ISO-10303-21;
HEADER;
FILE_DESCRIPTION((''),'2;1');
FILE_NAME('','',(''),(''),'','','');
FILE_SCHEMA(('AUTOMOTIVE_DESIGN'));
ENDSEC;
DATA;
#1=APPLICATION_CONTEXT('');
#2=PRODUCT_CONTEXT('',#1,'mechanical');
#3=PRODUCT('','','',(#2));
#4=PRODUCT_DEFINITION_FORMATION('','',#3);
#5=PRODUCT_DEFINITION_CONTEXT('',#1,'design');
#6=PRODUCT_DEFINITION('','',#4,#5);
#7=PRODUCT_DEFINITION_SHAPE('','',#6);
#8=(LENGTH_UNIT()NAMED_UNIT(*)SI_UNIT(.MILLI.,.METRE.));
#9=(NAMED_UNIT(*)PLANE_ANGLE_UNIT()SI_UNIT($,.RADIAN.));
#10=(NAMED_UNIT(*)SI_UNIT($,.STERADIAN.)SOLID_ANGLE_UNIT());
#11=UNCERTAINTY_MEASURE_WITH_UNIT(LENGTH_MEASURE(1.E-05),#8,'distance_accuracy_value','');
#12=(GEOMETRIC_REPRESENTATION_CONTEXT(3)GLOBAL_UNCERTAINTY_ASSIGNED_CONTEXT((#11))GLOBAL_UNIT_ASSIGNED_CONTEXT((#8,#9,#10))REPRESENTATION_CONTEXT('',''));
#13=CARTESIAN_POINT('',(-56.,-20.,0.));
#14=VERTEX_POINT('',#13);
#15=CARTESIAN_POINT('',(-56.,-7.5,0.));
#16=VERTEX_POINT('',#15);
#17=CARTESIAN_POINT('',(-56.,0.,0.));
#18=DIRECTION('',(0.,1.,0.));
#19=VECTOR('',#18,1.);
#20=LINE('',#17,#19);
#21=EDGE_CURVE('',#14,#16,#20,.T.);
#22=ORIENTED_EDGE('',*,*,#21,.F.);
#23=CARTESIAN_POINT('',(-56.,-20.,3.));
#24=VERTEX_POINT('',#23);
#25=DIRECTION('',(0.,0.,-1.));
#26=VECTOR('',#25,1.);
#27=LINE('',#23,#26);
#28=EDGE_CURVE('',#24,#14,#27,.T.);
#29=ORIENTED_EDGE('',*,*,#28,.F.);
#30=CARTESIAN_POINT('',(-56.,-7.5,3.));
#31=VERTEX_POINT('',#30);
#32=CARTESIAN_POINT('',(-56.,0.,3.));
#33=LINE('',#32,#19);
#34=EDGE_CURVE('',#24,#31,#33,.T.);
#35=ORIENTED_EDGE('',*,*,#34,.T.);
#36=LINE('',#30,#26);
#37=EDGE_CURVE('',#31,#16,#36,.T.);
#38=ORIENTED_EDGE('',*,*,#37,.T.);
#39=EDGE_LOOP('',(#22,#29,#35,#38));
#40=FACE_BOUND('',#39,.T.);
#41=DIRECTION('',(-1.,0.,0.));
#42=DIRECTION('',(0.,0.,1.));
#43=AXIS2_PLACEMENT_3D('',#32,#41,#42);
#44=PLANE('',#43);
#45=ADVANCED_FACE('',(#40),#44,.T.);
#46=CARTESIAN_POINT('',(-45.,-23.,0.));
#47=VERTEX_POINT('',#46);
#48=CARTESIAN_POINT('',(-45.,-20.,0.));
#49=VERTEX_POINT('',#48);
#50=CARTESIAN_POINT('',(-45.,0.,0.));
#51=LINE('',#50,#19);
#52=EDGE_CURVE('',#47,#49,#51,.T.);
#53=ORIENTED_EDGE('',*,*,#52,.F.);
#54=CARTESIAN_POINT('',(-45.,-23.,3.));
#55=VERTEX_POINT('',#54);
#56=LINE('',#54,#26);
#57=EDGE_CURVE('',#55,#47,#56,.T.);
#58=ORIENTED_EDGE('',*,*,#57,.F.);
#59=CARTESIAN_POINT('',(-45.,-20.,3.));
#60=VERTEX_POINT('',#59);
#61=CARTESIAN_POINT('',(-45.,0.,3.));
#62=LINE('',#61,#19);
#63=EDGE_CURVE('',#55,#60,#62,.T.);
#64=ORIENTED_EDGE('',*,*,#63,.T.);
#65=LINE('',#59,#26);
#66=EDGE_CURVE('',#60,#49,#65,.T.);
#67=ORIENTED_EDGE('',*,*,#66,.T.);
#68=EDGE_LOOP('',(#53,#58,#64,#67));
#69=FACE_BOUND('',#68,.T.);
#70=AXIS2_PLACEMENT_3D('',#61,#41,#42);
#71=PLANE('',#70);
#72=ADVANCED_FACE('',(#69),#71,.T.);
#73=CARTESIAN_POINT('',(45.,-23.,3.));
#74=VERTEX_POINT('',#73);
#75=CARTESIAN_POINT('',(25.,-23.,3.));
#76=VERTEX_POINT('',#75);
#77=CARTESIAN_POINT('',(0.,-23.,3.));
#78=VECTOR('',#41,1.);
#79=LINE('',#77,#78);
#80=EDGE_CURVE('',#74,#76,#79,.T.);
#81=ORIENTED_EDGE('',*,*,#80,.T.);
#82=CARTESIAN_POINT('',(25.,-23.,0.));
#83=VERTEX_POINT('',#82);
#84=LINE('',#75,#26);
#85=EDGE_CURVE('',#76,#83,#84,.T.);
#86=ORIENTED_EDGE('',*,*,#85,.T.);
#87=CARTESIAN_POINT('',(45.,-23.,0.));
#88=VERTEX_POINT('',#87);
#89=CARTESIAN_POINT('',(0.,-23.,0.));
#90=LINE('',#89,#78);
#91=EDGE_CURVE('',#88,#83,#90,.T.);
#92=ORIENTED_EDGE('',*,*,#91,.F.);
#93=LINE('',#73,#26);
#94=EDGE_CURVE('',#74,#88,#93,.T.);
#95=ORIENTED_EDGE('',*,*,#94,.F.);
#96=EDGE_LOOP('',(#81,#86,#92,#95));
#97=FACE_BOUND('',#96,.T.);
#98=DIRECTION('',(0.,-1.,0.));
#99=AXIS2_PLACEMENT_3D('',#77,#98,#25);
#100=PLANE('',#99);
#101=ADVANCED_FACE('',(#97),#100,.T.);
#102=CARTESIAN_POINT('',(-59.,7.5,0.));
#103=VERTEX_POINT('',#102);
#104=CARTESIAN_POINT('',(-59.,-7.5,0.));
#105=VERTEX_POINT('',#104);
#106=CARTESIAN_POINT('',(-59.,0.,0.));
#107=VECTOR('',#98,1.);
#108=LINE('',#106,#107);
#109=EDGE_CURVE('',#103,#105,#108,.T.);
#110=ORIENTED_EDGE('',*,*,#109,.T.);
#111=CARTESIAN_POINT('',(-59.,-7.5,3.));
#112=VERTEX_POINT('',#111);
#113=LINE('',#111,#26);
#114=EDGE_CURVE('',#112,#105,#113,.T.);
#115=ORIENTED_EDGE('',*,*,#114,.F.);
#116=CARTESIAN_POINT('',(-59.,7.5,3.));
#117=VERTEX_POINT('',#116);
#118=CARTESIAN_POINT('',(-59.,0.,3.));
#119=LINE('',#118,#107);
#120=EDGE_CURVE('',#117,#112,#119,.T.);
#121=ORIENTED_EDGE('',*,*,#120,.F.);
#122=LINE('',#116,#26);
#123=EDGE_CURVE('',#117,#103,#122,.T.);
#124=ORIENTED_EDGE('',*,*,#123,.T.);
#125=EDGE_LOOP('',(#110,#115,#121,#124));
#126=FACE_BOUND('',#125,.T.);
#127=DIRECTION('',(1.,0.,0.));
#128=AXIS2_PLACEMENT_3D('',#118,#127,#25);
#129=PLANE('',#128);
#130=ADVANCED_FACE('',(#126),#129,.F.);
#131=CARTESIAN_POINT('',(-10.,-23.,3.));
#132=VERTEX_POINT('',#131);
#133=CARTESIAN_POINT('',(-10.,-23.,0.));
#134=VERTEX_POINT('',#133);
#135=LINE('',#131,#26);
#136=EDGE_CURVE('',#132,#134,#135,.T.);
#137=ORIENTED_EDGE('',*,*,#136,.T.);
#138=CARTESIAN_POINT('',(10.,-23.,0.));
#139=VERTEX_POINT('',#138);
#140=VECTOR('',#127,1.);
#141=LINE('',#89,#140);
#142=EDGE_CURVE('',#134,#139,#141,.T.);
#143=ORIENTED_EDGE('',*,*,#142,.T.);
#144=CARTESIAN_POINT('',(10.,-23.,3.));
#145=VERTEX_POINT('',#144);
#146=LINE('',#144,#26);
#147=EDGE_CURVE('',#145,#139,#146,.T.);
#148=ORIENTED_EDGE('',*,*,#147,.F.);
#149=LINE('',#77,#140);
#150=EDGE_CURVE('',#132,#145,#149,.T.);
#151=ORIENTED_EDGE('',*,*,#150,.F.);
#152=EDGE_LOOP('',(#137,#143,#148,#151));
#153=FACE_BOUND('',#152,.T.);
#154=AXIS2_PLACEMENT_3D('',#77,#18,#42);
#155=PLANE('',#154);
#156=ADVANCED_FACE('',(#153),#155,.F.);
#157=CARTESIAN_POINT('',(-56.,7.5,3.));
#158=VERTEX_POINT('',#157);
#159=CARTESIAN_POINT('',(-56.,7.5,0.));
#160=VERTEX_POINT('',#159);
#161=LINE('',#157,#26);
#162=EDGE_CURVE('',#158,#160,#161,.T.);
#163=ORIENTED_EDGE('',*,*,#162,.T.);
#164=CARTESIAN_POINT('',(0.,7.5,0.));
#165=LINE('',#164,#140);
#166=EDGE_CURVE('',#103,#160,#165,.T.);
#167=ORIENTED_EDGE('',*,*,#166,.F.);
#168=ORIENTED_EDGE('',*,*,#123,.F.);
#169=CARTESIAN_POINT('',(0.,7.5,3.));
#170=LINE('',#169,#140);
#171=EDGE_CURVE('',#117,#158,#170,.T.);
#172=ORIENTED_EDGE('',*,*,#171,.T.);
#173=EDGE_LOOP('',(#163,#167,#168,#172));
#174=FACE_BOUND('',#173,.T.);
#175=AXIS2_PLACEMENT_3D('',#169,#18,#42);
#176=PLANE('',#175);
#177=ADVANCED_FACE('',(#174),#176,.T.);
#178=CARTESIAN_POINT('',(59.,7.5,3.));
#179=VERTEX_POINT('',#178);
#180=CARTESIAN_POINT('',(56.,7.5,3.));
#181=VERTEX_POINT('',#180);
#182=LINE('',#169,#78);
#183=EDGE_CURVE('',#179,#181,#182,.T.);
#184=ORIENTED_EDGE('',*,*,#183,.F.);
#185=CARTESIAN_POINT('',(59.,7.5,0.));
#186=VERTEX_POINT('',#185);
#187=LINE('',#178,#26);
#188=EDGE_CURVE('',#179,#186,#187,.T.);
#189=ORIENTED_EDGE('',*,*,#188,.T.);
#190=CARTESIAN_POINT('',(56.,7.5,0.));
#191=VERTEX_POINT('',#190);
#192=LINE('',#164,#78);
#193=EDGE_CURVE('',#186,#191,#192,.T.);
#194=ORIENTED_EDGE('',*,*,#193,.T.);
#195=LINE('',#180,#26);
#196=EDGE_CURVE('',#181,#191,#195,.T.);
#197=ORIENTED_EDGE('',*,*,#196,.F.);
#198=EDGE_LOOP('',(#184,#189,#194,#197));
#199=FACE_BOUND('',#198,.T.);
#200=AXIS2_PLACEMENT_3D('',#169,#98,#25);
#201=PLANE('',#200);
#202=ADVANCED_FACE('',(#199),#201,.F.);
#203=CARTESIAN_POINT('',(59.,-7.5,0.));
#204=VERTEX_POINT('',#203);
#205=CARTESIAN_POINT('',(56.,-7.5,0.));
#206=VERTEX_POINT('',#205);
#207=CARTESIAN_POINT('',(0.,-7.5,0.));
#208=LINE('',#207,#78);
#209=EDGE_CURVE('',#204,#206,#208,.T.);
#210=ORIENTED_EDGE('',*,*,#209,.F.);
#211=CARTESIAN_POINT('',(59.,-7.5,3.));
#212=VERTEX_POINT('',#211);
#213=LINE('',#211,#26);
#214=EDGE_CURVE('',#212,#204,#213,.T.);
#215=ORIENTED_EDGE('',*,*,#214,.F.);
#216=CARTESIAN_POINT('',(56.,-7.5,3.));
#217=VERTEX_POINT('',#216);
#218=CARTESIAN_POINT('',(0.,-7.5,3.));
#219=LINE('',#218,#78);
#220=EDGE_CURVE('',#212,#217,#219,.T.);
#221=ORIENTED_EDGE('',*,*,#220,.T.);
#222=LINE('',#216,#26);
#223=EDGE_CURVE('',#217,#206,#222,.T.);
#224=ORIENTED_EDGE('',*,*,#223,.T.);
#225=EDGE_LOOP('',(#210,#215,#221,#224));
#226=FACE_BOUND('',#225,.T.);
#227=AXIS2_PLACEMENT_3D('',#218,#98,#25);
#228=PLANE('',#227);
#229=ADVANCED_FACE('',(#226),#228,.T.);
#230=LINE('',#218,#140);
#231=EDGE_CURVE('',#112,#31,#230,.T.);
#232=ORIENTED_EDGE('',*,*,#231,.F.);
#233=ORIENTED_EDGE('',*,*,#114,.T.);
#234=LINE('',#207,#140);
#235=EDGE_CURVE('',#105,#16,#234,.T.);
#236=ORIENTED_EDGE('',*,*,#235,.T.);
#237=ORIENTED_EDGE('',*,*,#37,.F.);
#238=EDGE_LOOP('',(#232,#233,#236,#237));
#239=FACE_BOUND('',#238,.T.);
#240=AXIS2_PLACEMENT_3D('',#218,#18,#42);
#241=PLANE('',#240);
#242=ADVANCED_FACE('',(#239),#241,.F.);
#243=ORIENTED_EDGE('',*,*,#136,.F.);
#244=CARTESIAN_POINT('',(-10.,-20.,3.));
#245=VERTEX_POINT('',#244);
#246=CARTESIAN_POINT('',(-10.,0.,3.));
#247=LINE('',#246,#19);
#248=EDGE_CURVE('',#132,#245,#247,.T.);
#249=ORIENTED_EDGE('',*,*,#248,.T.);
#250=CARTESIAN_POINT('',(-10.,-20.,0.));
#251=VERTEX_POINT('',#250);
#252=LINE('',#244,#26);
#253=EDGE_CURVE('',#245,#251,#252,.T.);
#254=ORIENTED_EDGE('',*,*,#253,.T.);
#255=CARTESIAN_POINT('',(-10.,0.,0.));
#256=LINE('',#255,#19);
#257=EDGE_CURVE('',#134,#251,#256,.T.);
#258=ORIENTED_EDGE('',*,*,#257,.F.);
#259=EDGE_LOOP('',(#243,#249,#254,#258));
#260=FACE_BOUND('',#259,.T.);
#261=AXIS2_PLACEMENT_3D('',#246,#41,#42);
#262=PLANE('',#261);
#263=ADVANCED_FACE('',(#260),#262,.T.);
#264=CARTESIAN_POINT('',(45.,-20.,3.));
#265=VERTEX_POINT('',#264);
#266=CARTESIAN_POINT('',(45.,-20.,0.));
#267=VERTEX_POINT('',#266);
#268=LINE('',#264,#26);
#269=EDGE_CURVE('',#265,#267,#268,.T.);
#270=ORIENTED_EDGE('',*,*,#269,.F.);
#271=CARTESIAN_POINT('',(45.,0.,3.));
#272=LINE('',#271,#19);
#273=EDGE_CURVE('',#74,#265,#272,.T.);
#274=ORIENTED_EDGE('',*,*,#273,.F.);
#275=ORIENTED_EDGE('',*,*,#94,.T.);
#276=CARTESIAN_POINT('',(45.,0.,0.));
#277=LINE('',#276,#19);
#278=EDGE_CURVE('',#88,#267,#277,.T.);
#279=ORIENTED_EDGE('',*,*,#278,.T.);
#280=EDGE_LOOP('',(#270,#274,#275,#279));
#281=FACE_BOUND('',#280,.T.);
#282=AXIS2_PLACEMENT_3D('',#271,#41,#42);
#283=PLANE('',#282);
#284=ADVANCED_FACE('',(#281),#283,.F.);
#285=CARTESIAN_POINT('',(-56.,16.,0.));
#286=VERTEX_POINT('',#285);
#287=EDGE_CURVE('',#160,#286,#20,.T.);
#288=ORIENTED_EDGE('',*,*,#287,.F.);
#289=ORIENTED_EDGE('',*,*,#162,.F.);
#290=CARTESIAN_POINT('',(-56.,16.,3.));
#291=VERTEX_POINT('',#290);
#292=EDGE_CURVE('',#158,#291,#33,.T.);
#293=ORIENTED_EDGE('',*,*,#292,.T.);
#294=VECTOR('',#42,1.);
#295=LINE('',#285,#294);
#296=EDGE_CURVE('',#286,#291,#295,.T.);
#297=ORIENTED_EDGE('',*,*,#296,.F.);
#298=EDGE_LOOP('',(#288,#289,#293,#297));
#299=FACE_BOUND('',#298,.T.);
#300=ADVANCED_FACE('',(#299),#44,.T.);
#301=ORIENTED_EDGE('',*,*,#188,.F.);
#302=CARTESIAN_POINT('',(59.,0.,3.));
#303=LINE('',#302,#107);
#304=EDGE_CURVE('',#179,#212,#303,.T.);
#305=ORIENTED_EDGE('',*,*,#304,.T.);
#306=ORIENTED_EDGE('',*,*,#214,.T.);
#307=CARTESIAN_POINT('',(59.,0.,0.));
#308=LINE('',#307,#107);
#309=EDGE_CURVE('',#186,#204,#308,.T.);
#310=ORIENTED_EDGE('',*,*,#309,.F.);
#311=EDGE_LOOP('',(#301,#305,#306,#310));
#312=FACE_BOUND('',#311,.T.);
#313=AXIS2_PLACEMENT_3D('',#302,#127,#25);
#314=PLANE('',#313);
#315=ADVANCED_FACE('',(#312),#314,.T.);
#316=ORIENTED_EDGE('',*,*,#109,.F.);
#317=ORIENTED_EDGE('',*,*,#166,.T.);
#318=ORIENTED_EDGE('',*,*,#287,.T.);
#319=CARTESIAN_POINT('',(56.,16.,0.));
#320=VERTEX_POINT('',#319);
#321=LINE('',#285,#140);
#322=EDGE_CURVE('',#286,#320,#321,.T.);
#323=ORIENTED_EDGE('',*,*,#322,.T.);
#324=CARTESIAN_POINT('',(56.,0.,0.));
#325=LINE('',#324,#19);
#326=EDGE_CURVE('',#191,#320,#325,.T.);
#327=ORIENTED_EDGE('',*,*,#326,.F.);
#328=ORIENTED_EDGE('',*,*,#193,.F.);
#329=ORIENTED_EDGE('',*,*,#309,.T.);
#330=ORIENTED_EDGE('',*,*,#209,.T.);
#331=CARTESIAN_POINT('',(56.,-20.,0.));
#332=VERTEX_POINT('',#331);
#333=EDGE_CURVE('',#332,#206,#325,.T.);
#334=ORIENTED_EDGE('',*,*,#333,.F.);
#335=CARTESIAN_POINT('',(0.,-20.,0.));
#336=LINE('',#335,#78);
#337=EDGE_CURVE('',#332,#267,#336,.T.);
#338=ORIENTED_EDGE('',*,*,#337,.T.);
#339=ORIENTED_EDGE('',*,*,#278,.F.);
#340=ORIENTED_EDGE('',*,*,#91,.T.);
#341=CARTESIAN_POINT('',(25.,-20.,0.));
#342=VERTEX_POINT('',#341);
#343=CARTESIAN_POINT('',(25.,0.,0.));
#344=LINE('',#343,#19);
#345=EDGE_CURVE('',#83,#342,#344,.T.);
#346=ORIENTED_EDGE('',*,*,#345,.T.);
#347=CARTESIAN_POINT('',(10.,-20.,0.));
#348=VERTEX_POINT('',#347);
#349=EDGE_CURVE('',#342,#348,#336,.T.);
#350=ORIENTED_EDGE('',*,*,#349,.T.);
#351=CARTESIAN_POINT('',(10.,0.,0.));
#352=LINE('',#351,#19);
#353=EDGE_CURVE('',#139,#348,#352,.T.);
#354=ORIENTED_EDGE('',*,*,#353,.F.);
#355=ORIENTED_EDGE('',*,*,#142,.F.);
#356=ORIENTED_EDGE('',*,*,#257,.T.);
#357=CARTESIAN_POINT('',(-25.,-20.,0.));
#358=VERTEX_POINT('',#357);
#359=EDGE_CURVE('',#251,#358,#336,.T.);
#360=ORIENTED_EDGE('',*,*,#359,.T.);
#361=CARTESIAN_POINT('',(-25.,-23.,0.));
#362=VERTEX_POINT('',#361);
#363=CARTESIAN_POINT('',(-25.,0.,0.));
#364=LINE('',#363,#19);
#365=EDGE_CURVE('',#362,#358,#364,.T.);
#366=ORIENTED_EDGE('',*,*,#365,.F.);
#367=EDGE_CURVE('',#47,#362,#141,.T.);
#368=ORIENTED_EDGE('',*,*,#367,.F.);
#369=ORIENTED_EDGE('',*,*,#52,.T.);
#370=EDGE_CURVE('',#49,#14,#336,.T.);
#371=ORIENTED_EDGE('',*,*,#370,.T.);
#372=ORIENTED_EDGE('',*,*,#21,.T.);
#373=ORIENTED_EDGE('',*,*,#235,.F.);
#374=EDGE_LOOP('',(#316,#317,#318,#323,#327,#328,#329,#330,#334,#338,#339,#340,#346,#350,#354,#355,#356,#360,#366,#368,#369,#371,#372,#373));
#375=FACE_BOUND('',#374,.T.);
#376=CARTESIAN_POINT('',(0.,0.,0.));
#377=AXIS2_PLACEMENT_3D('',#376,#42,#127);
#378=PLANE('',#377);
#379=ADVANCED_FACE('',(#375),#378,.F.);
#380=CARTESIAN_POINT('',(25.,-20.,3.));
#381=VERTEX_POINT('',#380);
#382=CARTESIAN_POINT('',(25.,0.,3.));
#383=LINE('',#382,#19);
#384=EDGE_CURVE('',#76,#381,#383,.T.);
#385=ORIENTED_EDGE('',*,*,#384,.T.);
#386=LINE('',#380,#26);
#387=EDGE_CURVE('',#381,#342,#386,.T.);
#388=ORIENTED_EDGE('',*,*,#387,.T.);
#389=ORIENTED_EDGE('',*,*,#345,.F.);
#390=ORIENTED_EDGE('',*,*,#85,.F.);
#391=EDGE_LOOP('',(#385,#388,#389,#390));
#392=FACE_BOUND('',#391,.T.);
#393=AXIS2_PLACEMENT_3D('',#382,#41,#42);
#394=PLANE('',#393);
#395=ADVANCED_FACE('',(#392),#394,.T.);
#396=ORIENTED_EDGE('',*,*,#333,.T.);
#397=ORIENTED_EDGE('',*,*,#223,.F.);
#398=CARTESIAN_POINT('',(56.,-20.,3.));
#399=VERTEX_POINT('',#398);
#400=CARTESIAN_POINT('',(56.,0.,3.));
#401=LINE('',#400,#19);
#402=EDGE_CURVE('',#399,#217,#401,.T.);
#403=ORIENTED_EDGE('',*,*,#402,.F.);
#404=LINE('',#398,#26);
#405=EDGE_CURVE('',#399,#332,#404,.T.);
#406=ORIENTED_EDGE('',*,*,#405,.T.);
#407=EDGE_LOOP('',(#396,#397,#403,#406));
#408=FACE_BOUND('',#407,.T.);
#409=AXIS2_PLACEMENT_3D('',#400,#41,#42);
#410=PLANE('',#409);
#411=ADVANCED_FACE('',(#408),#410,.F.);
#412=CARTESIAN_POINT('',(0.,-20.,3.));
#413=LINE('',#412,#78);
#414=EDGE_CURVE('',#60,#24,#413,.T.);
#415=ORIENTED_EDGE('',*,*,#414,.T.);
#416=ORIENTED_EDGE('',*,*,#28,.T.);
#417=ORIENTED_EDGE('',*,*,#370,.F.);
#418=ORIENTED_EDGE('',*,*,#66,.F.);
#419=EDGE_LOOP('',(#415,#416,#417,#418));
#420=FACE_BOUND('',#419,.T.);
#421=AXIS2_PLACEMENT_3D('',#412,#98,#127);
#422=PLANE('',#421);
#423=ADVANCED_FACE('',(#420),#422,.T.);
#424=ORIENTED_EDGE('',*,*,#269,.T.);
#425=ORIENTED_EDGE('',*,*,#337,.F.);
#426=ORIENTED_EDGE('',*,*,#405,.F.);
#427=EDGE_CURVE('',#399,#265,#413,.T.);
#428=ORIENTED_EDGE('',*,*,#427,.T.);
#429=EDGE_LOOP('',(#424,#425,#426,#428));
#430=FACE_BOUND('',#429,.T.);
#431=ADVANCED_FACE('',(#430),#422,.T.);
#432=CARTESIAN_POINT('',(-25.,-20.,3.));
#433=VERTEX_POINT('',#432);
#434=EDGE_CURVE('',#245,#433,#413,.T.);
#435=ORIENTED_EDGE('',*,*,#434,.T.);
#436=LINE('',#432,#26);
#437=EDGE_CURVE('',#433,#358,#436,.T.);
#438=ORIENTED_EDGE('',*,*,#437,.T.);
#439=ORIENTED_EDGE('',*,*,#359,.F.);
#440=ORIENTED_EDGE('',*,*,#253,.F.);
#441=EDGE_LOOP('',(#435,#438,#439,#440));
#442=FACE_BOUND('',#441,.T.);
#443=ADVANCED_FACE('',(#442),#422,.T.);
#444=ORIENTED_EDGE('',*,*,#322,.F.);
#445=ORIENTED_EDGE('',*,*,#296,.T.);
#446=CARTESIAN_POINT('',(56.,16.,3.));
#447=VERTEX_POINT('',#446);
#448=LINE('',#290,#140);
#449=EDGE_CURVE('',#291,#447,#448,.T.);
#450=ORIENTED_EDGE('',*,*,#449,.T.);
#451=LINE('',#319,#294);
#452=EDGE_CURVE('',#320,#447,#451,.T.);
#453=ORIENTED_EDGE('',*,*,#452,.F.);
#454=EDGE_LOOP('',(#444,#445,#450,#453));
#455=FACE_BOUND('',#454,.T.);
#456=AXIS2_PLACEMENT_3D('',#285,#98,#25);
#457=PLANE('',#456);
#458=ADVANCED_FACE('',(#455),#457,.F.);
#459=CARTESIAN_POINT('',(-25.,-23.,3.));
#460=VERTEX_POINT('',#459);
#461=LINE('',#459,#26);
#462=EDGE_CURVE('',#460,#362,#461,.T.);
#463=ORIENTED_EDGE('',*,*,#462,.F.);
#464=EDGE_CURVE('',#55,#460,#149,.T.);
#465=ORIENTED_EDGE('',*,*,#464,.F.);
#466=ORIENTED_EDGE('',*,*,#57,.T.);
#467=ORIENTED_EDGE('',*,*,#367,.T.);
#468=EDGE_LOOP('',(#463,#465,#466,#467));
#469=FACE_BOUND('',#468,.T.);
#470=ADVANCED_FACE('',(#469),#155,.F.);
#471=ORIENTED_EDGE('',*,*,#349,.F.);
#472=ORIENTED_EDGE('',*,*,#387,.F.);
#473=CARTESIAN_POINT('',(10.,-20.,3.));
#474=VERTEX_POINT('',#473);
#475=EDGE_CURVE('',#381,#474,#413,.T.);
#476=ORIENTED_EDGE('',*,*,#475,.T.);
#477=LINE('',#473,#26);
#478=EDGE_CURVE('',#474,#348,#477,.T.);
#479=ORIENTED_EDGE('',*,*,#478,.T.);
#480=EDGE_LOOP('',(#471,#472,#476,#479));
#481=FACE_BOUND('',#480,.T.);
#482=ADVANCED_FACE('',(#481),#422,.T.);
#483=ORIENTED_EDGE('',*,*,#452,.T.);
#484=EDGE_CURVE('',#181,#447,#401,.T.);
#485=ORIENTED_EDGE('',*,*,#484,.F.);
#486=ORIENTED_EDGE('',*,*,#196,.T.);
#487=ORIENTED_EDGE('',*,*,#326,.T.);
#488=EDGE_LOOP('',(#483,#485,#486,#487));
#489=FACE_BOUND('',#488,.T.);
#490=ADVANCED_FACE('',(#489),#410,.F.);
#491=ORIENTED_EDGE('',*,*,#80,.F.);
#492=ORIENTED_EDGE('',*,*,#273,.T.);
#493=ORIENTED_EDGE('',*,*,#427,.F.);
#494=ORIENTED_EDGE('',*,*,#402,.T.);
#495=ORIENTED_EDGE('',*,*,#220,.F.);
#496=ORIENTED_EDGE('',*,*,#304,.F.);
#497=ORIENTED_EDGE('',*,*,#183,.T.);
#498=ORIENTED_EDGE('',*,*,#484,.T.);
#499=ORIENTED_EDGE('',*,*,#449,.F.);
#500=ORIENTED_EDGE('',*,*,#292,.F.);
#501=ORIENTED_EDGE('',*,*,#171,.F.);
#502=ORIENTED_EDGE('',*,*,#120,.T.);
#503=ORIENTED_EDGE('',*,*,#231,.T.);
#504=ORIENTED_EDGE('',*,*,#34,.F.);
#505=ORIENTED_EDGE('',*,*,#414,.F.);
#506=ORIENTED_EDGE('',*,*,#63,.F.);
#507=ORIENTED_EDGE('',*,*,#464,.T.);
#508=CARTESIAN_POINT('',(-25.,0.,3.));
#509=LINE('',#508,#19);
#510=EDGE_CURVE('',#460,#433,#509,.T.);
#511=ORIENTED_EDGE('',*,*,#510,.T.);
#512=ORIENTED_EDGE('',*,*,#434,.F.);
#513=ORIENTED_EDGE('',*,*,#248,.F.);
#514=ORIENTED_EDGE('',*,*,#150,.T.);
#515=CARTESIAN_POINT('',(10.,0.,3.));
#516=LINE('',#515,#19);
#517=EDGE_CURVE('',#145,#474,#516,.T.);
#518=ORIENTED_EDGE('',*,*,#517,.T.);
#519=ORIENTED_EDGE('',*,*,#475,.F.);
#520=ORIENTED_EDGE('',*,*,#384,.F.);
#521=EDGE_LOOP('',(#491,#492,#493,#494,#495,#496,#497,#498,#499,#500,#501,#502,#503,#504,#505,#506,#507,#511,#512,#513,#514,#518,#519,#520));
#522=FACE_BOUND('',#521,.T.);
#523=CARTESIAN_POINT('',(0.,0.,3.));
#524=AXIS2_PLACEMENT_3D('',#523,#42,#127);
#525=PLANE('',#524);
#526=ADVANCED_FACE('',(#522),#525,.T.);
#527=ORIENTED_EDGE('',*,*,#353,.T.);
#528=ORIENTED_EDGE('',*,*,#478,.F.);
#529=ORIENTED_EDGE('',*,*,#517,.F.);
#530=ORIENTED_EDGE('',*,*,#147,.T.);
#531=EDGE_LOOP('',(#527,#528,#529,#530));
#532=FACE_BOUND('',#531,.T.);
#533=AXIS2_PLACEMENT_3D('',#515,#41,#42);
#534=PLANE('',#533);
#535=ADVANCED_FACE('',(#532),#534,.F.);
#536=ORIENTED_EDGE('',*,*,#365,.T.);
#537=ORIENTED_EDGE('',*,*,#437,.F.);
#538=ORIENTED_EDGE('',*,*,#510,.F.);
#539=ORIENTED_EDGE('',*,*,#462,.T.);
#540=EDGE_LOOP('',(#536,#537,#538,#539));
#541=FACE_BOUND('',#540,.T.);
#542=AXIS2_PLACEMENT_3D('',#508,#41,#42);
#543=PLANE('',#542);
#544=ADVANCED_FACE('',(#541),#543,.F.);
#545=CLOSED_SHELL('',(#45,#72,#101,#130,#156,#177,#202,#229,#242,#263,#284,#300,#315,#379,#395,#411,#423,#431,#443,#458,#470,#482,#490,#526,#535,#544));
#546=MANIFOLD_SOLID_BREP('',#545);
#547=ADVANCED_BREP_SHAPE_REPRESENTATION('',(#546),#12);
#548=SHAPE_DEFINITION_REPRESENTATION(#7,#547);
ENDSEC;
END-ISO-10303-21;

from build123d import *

# Parameters (mm, degrees)
SKETCH1_W           = 3
SKETCH1_H           = 15
SKETCH1_W_2         = 112
SKETCH1_H_2         = 40
SKETCH1_W_3         = 20
SKETCH1_H_3         = 3
BOSS_EXTRUDE1_DEPTH = 3
SKETCH2_W           = 112
SKETCH2_H           = 4
CUT_EXTRUDE1_DEPTH  = 3


with BuildPart() as part:
    # Sketch1 → Boss-Extrude1 (new body)
    with BuildSketch(Plane.XY):
        with Locations((-57.5, 0)):
            Rectangle(SKETCH1_W, SKETCH1_H)
        Rectangle(SKETCH1_W_2, SKETCH1_H_2)
        with Locations((-35, -21.5)):
            Rectangle(SKETCH1_W_3, SKETCH1_H_3)
        with Locations((0, -21.5)):
            Rectangle(SKETCH1_W_3, SKETCH1_H_3)
        with Locations((35, -21.5)):
            Rectangle(SKETCH1_W_3, SKETCH1_H_3)
        with Locations((57.5, 0)):
            Rectangle(SKETCH1_W, SKETCH1_H)
    extrude(amount=BOSS_EXTRUDE1_DEPTH)

    # Sketch2 → Cut-Extrude1 (cut)
    with BuildSketch(Plane.XY.offset(3)):
        with Locations((0, 18)):
            Rectangle(SKETCH2_W, SKETCH2_H)
    extrude(amount=-CUT_EXTRUDE1_DEPTH, mode=Mode.SUBTRACT)


solid = part.part
